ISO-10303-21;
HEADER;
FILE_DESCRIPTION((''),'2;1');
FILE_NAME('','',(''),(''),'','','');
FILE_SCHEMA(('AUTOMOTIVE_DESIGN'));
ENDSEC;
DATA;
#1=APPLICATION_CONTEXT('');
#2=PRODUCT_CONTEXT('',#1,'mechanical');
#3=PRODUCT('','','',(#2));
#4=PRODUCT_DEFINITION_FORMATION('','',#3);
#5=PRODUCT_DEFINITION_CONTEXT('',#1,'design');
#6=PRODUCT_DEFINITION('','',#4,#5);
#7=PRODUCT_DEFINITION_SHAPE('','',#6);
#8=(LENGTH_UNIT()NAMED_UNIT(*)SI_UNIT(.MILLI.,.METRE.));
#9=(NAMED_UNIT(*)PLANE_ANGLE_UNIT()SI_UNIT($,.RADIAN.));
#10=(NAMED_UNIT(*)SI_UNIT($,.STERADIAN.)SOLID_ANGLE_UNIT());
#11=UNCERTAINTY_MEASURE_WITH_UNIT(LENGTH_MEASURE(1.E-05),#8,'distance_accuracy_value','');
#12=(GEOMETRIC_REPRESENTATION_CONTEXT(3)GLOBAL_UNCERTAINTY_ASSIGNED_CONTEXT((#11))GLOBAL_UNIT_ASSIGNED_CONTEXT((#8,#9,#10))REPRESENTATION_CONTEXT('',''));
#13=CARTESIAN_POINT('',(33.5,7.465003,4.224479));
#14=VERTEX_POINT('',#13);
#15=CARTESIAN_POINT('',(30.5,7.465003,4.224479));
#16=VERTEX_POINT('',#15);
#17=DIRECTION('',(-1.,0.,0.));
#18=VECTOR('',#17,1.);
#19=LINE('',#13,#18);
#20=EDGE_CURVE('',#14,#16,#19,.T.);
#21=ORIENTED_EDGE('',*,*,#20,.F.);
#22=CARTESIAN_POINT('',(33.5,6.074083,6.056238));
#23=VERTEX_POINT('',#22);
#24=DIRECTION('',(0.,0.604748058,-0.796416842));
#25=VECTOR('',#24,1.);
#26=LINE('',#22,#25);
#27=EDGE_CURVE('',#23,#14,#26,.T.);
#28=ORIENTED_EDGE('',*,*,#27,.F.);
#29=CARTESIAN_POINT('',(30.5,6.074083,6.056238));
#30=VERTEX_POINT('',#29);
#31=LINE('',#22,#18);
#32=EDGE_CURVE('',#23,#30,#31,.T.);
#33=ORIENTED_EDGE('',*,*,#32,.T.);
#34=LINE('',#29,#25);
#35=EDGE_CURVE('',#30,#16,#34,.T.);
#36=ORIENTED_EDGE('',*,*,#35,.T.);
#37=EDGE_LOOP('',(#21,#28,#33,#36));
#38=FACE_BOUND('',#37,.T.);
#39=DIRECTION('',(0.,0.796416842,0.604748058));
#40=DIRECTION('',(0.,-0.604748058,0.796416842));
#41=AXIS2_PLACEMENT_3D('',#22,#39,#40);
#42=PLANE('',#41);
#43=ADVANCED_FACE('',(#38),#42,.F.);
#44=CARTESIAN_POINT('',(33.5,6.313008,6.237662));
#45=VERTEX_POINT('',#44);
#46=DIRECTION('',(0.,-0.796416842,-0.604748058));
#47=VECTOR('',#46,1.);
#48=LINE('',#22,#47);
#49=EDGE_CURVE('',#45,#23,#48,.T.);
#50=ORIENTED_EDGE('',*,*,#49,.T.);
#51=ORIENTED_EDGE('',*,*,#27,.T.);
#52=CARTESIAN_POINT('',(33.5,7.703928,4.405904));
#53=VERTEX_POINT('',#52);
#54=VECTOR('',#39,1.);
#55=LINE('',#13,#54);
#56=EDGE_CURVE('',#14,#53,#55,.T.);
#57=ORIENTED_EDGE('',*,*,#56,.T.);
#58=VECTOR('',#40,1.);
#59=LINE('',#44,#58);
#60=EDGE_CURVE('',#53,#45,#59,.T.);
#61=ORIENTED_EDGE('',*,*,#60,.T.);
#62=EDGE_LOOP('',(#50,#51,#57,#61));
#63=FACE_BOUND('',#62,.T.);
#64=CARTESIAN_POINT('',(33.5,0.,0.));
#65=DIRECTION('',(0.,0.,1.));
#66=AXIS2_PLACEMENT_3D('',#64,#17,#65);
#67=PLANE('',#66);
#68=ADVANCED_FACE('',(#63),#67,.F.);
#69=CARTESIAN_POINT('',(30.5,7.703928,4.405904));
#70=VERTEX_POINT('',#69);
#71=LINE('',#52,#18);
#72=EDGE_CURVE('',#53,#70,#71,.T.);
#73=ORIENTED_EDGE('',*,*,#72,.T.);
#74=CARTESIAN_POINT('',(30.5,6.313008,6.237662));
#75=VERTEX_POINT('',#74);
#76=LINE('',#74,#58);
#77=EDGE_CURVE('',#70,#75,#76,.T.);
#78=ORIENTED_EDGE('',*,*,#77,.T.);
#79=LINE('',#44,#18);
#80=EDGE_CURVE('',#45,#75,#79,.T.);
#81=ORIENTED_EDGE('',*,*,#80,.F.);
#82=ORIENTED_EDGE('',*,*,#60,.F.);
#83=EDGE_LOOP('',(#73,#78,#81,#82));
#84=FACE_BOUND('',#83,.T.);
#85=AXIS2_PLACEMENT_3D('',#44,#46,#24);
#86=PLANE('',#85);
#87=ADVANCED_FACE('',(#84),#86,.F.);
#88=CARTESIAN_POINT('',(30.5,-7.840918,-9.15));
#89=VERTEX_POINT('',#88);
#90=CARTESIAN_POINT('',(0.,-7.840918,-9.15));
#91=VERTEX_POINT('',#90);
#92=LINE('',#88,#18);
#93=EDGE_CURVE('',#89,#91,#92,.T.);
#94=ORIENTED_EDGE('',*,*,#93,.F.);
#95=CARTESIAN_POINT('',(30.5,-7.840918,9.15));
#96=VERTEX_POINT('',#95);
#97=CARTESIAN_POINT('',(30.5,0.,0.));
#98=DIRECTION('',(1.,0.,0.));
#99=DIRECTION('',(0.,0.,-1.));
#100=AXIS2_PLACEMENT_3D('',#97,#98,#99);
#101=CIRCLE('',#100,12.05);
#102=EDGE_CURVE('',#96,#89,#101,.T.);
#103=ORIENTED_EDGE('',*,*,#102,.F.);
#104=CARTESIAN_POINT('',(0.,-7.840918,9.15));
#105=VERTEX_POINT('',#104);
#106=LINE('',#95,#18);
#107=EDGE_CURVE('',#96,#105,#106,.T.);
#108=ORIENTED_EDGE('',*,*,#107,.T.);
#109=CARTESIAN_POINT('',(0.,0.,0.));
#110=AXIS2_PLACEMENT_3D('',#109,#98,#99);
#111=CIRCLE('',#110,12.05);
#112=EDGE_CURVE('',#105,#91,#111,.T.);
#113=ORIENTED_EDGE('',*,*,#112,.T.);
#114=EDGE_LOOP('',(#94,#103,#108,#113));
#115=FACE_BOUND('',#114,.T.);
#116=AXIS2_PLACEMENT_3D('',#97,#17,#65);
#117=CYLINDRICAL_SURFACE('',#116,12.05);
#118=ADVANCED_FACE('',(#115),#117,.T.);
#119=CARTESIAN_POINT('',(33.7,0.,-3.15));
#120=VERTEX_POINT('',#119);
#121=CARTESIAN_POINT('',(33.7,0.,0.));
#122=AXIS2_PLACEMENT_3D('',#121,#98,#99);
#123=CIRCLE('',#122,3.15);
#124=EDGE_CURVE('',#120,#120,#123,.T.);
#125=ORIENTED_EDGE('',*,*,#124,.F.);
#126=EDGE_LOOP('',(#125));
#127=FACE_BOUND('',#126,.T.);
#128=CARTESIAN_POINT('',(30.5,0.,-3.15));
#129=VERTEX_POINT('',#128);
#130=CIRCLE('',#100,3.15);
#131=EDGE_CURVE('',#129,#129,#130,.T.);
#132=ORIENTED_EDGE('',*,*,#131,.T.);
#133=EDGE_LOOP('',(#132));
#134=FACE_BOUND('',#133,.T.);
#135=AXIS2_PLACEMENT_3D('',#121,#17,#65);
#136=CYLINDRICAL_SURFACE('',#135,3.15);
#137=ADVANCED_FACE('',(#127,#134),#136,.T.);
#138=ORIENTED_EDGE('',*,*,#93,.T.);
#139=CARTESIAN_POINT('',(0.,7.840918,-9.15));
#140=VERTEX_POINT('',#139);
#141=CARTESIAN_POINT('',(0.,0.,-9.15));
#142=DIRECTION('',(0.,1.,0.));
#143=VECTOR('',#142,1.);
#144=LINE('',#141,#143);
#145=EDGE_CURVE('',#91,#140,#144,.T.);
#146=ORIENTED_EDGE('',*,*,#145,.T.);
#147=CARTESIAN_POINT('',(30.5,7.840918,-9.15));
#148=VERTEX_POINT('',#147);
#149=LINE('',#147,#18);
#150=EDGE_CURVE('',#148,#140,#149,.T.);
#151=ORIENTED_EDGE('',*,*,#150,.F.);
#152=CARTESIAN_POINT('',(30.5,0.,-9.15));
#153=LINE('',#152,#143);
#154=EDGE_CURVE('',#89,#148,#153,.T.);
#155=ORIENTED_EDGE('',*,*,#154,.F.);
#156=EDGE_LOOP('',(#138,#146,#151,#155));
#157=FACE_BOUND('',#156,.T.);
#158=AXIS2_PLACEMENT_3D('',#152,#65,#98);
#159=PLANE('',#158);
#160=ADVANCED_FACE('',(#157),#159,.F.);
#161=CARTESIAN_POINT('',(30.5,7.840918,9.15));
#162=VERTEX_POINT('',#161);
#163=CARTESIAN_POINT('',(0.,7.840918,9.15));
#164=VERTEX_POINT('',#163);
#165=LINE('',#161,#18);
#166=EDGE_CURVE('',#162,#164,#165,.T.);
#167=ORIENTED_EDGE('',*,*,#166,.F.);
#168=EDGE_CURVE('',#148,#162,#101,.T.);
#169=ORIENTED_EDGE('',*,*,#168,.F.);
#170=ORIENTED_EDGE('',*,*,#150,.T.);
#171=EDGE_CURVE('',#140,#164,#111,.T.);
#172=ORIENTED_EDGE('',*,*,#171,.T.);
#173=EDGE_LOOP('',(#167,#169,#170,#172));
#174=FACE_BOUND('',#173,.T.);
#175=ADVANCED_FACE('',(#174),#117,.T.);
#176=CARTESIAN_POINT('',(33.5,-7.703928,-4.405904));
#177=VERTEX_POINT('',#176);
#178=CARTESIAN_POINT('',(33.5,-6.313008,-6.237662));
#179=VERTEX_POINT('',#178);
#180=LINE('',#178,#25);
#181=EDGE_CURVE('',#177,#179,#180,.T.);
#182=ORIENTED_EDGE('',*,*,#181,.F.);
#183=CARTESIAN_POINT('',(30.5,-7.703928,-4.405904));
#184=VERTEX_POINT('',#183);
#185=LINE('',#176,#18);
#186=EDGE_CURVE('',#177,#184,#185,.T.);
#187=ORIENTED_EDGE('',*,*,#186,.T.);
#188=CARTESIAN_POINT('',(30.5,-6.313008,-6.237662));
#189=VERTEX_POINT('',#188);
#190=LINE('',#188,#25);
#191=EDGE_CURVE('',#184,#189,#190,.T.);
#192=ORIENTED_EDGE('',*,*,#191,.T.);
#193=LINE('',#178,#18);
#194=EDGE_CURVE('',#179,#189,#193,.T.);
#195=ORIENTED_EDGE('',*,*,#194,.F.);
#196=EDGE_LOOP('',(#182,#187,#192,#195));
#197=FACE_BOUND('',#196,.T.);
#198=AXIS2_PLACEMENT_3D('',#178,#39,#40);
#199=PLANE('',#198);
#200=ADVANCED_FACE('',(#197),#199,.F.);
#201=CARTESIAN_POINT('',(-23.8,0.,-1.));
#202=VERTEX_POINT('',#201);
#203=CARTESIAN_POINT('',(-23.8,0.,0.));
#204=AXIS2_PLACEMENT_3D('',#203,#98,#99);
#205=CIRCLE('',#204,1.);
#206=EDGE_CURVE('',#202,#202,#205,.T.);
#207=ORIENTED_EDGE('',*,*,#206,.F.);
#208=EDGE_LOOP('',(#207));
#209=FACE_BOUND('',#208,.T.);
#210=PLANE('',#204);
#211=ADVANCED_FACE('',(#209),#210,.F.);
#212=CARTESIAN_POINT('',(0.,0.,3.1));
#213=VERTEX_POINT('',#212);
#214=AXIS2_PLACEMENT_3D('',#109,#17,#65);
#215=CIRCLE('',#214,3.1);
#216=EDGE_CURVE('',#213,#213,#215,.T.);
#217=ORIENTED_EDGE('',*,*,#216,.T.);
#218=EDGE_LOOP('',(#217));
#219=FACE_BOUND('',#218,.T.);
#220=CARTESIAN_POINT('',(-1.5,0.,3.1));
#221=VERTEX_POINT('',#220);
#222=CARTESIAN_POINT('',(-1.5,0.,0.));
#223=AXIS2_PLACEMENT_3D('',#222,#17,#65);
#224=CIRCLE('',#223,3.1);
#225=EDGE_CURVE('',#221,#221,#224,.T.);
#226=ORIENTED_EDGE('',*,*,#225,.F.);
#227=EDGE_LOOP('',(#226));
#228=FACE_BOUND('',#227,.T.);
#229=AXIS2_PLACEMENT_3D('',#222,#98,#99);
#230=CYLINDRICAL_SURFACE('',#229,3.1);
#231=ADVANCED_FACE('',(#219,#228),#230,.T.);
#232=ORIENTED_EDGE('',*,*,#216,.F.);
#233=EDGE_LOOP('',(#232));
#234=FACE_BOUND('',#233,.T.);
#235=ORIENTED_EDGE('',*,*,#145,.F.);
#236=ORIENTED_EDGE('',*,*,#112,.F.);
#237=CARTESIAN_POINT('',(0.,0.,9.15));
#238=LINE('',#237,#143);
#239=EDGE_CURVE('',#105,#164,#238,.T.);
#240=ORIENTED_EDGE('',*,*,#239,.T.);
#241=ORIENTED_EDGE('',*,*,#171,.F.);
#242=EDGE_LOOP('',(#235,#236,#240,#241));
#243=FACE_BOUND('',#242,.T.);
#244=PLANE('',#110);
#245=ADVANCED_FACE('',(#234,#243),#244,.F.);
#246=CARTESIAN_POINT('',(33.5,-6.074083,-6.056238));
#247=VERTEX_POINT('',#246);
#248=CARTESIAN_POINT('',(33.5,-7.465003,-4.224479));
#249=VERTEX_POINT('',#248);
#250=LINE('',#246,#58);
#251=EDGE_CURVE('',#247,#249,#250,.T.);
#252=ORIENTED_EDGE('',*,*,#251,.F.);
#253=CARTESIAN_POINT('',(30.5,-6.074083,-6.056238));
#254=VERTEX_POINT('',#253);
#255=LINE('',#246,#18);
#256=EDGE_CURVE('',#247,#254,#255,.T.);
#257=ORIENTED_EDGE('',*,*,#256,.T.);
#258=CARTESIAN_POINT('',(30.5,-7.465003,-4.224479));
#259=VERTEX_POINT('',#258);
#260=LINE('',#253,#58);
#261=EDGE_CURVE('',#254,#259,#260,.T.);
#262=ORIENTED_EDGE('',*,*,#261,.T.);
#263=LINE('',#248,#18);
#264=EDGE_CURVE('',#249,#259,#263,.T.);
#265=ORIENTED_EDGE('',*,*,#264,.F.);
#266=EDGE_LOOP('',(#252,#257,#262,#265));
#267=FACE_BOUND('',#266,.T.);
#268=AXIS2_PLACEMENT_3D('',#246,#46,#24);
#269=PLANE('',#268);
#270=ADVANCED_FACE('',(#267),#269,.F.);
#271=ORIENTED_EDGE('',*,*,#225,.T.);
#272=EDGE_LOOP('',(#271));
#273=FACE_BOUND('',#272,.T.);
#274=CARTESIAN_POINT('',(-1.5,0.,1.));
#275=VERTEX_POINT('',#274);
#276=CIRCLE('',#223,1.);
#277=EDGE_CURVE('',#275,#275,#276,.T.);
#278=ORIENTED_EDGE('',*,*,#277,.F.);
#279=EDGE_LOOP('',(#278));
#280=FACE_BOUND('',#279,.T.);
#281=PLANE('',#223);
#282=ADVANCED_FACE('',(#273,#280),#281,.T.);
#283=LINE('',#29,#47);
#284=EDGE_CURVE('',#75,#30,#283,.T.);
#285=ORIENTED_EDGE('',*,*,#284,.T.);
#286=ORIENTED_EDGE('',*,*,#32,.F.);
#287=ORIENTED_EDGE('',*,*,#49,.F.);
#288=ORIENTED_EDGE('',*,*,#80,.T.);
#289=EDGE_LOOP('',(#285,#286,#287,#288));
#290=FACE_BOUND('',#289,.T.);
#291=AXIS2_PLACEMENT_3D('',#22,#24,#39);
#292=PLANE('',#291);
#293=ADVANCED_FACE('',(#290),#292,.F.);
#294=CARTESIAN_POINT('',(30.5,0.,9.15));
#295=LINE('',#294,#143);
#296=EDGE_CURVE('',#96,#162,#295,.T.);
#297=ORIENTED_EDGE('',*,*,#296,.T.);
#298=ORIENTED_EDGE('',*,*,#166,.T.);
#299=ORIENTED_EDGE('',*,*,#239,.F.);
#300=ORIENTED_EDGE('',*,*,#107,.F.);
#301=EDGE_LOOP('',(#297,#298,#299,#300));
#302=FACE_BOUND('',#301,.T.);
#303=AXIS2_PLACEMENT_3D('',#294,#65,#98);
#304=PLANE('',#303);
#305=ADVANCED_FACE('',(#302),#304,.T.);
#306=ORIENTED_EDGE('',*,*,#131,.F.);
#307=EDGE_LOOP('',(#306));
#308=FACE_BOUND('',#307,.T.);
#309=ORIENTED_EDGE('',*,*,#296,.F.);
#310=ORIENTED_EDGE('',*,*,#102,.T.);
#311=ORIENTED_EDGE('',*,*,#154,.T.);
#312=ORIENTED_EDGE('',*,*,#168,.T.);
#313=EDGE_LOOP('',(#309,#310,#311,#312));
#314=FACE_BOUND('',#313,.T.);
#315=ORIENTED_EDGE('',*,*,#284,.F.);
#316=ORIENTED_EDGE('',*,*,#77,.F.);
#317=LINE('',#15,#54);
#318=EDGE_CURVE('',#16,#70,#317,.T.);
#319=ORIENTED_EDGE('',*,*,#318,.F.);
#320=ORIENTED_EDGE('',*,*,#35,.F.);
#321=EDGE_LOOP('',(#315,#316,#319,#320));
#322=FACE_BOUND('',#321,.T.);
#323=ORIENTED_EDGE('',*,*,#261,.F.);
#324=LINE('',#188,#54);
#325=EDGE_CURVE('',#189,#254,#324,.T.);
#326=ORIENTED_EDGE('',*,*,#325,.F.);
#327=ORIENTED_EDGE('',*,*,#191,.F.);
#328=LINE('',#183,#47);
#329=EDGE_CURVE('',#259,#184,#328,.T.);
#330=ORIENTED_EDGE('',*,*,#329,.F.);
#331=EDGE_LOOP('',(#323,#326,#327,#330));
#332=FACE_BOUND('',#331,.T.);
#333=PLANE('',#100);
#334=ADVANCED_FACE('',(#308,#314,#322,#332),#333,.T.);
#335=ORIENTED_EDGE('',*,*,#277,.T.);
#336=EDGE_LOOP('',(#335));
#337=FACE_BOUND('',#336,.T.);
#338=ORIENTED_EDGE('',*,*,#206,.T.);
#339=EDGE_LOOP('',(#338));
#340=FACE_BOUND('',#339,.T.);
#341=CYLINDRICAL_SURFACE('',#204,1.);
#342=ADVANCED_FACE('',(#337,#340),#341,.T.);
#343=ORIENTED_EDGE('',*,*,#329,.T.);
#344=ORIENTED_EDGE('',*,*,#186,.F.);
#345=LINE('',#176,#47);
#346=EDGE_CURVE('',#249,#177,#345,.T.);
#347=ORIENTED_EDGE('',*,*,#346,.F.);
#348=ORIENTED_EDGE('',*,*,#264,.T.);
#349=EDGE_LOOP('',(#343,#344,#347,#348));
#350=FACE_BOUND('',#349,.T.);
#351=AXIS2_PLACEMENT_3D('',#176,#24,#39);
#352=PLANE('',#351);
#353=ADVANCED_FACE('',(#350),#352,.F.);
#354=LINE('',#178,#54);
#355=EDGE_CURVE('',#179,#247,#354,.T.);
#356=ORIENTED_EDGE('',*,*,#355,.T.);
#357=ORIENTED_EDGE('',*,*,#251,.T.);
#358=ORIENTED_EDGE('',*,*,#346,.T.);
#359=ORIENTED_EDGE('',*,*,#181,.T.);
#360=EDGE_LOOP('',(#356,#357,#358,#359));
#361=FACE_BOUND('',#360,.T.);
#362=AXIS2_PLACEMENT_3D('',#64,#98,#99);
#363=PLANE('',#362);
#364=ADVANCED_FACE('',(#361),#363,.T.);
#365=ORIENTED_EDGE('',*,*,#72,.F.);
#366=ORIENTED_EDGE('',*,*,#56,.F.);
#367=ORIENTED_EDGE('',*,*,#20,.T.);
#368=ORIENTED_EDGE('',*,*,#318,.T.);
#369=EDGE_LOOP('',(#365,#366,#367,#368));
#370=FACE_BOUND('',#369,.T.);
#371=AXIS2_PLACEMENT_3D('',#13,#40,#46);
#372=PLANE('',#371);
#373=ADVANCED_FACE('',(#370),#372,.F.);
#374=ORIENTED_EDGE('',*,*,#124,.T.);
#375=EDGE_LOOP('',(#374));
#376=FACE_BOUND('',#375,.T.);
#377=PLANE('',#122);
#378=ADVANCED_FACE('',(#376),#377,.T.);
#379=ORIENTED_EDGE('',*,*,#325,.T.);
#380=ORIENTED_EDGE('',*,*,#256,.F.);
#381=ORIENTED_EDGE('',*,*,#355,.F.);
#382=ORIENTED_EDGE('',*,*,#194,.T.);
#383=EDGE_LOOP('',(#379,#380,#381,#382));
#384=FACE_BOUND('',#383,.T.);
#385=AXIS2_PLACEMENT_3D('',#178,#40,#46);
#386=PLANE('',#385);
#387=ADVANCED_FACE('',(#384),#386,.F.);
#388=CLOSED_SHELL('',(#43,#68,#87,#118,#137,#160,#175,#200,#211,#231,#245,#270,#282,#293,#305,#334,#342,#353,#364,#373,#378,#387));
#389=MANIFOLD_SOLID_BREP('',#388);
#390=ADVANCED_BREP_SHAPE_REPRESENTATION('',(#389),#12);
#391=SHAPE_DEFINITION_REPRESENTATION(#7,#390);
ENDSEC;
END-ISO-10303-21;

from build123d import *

# Parameters (mm, degrees)
EXTRUDE_1_DEPTH = 30.5
SKETCH_2_R      = 3.1
EXTRUDE_2_DEPTH = 1.5
EXTRUDE_START   = -1.5
SKETCH_3_R      = 1
EXTRUDE_3_DEPTH = 23.8
SKETCH_5_R      = 3.15
EXTRUDE_4_DEPTH = 3.2
EXTRUDE_5_DEPTH = 3


with BuildPart() as part:
    # 草图1 → 凸台-拉伸1 (new body)
    with BuildSketch(Plane(origin=(0, 0, 0), x_dir=(0, 0, -1), z_dir=(1, 0, 0))):
        with BuildLine():
            ThreePointArc((-9.15, -7.840918314), (-5.035843242, -10.947272849), (0, -12.05))
            ThreePointArc((0, -12.05), (5.035843242, -10.947272849), (9.15, -7.840918314))
            Line((9.15, -7.840918314), (9.15, 7.840918314))
            ThreePointArc((9.15, 7.840918314), (5.035843234, 10.947272853), (-1.8e-08, 12.05))
            ThreePointArc((-1.8e-08, 12.05), (-5.03584325, 10.947272846), (-9.15, 7.840918314))
            Line((-9.15, 7.840918314), (-9.15, -7.840918314))
        make_face()
    extrude(amount=EXTRUDE_1_DEPTH)

    # 草图2 → 凸台-拉伸2 (add)
    with BuildSketch(Plane.ZY):
        Circle(SKETCH_2_R)
    extrude(amount=EXTRUDE_2_DEPTH)

    # 草图3 → 凸台-拉伸3 (add)
    with BuildSketch(Plane.ZY.offset(1.5).offset(EXTRUDE_START)):
        with Locations(Location((0, 0, 0), (0, 0, 180))):
            Circle(SKETCH_3_R)
    extrude(amount=EXTRUDE_3_DEPTH)

    # 草图5 → 凸台-拉伸4 (add)
    with BuildSketch(Plane(origin=(30.5, 0, 0), x_dir=(0, 0, -1), z_dir=(1, 0, 0))):
        Circle(SKETCH_5_R)
    extrude(amount=EXTRUDE_4_DEPTH)

    # 草图6 → 凸台-拉伸5 (add)
    with BuildSketch(Plane(origin=(30.5, 0, 0), x_dir=(0, 0, -1), z_dir=(1, 0, 0))):
        Polygon((-6.056237864, 6.074082889), (-4.224479128, 7.465003423), (-4.405903545, 7.703928475), (-6.237662281, 6.313007941), align=None)
        Polygon((6.237662281, -6.313007941), (4.405903545, -7.703928475), (4.224479128, -7.465003423), (6.056237864, -6.074082889), align=None)
    extrude(amount=EXTRUDE_5_DEPTH)


solid = part.part
